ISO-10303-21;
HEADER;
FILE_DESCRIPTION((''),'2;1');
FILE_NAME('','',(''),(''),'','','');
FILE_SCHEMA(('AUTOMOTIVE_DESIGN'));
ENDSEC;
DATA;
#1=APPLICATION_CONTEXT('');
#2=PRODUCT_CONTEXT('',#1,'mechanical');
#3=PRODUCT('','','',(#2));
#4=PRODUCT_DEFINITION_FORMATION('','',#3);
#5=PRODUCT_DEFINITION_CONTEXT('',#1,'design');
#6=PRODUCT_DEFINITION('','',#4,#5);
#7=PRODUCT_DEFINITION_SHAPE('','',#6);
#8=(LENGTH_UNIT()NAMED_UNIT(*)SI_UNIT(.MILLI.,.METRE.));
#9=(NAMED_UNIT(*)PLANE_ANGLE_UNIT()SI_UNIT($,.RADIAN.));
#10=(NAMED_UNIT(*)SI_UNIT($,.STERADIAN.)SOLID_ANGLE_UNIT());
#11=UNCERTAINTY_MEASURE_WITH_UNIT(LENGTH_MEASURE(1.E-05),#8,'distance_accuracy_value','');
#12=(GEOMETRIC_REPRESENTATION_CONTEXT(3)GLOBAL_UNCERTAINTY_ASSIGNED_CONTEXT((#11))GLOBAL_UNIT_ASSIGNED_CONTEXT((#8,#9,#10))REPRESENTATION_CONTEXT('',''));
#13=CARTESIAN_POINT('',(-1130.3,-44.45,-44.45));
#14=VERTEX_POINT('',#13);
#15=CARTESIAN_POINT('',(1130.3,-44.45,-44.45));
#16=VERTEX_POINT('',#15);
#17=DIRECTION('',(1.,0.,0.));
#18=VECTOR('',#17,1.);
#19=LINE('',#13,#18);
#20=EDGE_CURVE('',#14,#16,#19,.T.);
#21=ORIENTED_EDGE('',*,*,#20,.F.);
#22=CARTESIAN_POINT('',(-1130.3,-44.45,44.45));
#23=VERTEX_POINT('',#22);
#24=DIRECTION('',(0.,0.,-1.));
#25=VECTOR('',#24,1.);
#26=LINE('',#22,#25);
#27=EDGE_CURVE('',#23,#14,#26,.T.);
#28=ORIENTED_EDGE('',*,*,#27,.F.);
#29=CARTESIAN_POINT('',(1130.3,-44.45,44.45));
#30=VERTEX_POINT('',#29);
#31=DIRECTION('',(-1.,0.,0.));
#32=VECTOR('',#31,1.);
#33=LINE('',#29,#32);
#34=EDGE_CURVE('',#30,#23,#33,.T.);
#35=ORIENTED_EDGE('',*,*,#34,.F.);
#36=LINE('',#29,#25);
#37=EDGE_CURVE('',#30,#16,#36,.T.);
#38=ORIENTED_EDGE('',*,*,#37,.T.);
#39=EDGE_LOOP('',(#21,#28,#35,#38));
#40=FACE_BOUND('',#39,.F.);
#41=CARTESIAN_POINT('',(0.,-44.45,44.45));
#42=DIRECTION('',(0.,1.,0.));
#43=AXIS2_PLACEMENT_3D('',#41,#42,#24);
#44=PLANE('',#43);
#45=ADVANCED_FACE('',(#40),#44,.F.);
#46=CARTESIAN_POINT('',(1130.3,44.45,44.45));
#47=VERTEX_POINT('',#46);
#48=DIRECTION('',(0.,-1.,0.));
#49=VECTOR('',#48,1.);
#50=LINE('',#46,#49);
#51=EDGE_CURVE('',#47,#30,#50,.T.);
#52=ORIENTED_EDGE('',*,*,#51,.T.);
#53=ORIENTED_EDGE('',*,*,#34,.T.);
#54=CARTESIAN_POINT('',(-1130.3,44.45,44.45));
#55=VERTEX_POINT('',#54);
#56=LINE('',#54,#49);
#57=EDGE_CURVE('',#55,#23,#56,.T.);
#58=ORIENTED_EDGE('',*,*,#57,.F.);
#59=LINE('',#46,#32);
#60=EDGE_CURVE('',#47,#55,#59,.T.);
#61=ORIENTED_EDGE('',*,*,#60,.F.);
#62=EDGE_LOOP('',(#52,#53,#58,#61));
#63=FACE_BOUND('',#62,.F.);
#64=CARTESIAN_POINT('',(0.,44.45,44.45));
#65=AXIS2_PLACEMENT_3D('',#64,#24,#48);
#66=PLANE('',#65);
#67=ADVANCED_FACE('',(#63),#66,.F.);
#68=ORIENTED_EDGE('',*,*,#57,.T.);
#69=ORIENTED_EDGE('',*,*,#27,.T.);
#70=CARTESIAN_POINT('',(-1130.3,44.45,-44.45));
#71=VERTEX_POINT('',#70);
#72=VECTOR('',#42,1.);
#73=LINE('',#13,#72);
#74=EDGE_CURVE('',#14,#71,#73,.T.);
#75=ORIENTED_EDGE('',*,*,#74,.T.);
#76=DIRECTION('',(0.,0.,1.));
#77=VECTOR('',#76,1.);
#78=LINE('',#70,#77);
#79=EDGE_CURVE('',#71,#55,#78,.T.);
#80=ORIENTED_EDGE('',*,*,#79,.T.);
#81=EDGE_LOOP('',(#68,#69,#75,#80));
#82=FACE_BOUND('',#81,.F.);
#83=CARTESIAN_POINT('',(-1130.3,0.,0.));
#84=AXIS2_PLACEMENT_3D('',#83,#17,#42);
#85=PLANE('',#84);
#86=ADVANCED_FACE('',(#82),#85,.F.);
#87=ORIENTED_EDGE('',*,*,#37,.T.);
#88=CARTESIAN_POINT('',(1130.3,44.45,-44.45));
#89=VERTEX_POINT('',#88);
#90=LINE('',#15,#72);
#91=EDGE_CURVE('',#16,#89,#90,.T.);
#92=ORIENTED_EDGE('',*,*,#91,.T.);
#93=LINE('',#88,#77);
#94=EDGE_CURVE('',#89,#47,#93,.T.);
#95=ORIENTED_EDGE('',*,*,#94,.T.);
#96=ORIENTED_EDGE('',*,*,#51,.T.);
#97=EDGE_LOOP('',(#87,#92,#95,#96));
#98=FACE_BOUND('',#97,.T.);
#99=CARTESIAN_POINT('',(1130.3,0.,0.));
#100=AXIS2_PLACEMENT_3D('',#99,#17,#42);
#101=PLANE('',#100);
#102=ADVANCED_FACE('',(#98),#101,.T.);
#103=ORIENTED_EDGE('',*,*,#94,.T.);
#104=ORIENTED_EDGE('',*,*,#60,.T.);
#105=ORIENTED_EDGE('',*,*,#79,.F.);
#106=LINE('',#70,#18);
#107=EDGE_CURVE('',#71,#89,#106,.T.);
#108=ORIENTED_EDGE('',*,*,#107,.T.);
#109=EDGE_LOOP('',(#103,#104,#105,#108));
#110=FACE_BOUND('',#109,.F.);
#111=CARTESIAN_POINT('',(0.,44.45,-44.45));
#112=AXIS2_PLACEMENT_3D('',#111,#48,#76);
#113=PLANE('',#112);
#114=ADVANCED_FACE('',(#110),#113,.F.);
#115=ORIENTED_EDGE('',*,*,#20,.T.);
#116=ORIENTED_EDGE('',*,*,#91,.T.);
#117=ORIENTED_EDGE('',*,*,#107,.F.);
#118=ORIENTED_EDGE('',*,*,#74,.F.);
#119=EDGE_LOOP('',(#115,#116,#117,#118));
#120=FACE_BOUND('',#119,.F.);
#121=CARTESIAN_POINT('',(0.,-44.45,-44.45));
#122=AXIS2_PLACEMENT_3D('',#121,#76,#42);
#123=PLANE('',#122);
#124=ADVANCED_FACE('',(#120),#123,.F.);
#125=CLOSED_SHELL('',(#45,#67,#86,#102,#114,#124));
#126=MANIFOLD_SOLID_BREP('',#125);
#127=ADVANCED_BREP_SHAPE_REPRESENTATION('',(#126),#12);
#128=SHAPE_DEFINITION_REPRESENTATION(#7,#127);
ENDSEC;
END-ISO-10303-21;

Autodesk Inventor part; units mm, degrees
ref_plane "YZ Plane" through (0, 0, 0) normal (1, 0, 0) x (0, 1, 0)
ref_plane "XZ Plane" through (0, 0, 0) normal (0, 1, 0) x (-1, 0, 0)
ref_plane "XY Plane" through (0, 0, 0) normal (0, 0, 1) x (1, 0, 0)
sketch "Sketch1" plane through (0, 0, 0) normal (1, 0, 0) x (0, 1, 0)
  line L0 (-44.45, -44.45) -> (44.45, -44.45)
  line L1 (44.45, -44.45) -> (44.45, 44.45)
  line L2 (44.45, 44.45) -> (-44.45, 44.45)
  line L3 (-44.45, 44.45) -> (-44.45, -44.45)
  line L4 (-44.45, -44.45) -> (44.45, 44.45) construction
  line L5 (44.45, -44.45) -> (-44.45, 44.45) construction
  point P0 (0, 0)
  dimension "d0" = 88.9
  dimension "d1" = 88.9
extrude "Extrusion1" add sketch "Sketch1" along normal mid plane 2260.6
properties part number "7'5x4x4"
